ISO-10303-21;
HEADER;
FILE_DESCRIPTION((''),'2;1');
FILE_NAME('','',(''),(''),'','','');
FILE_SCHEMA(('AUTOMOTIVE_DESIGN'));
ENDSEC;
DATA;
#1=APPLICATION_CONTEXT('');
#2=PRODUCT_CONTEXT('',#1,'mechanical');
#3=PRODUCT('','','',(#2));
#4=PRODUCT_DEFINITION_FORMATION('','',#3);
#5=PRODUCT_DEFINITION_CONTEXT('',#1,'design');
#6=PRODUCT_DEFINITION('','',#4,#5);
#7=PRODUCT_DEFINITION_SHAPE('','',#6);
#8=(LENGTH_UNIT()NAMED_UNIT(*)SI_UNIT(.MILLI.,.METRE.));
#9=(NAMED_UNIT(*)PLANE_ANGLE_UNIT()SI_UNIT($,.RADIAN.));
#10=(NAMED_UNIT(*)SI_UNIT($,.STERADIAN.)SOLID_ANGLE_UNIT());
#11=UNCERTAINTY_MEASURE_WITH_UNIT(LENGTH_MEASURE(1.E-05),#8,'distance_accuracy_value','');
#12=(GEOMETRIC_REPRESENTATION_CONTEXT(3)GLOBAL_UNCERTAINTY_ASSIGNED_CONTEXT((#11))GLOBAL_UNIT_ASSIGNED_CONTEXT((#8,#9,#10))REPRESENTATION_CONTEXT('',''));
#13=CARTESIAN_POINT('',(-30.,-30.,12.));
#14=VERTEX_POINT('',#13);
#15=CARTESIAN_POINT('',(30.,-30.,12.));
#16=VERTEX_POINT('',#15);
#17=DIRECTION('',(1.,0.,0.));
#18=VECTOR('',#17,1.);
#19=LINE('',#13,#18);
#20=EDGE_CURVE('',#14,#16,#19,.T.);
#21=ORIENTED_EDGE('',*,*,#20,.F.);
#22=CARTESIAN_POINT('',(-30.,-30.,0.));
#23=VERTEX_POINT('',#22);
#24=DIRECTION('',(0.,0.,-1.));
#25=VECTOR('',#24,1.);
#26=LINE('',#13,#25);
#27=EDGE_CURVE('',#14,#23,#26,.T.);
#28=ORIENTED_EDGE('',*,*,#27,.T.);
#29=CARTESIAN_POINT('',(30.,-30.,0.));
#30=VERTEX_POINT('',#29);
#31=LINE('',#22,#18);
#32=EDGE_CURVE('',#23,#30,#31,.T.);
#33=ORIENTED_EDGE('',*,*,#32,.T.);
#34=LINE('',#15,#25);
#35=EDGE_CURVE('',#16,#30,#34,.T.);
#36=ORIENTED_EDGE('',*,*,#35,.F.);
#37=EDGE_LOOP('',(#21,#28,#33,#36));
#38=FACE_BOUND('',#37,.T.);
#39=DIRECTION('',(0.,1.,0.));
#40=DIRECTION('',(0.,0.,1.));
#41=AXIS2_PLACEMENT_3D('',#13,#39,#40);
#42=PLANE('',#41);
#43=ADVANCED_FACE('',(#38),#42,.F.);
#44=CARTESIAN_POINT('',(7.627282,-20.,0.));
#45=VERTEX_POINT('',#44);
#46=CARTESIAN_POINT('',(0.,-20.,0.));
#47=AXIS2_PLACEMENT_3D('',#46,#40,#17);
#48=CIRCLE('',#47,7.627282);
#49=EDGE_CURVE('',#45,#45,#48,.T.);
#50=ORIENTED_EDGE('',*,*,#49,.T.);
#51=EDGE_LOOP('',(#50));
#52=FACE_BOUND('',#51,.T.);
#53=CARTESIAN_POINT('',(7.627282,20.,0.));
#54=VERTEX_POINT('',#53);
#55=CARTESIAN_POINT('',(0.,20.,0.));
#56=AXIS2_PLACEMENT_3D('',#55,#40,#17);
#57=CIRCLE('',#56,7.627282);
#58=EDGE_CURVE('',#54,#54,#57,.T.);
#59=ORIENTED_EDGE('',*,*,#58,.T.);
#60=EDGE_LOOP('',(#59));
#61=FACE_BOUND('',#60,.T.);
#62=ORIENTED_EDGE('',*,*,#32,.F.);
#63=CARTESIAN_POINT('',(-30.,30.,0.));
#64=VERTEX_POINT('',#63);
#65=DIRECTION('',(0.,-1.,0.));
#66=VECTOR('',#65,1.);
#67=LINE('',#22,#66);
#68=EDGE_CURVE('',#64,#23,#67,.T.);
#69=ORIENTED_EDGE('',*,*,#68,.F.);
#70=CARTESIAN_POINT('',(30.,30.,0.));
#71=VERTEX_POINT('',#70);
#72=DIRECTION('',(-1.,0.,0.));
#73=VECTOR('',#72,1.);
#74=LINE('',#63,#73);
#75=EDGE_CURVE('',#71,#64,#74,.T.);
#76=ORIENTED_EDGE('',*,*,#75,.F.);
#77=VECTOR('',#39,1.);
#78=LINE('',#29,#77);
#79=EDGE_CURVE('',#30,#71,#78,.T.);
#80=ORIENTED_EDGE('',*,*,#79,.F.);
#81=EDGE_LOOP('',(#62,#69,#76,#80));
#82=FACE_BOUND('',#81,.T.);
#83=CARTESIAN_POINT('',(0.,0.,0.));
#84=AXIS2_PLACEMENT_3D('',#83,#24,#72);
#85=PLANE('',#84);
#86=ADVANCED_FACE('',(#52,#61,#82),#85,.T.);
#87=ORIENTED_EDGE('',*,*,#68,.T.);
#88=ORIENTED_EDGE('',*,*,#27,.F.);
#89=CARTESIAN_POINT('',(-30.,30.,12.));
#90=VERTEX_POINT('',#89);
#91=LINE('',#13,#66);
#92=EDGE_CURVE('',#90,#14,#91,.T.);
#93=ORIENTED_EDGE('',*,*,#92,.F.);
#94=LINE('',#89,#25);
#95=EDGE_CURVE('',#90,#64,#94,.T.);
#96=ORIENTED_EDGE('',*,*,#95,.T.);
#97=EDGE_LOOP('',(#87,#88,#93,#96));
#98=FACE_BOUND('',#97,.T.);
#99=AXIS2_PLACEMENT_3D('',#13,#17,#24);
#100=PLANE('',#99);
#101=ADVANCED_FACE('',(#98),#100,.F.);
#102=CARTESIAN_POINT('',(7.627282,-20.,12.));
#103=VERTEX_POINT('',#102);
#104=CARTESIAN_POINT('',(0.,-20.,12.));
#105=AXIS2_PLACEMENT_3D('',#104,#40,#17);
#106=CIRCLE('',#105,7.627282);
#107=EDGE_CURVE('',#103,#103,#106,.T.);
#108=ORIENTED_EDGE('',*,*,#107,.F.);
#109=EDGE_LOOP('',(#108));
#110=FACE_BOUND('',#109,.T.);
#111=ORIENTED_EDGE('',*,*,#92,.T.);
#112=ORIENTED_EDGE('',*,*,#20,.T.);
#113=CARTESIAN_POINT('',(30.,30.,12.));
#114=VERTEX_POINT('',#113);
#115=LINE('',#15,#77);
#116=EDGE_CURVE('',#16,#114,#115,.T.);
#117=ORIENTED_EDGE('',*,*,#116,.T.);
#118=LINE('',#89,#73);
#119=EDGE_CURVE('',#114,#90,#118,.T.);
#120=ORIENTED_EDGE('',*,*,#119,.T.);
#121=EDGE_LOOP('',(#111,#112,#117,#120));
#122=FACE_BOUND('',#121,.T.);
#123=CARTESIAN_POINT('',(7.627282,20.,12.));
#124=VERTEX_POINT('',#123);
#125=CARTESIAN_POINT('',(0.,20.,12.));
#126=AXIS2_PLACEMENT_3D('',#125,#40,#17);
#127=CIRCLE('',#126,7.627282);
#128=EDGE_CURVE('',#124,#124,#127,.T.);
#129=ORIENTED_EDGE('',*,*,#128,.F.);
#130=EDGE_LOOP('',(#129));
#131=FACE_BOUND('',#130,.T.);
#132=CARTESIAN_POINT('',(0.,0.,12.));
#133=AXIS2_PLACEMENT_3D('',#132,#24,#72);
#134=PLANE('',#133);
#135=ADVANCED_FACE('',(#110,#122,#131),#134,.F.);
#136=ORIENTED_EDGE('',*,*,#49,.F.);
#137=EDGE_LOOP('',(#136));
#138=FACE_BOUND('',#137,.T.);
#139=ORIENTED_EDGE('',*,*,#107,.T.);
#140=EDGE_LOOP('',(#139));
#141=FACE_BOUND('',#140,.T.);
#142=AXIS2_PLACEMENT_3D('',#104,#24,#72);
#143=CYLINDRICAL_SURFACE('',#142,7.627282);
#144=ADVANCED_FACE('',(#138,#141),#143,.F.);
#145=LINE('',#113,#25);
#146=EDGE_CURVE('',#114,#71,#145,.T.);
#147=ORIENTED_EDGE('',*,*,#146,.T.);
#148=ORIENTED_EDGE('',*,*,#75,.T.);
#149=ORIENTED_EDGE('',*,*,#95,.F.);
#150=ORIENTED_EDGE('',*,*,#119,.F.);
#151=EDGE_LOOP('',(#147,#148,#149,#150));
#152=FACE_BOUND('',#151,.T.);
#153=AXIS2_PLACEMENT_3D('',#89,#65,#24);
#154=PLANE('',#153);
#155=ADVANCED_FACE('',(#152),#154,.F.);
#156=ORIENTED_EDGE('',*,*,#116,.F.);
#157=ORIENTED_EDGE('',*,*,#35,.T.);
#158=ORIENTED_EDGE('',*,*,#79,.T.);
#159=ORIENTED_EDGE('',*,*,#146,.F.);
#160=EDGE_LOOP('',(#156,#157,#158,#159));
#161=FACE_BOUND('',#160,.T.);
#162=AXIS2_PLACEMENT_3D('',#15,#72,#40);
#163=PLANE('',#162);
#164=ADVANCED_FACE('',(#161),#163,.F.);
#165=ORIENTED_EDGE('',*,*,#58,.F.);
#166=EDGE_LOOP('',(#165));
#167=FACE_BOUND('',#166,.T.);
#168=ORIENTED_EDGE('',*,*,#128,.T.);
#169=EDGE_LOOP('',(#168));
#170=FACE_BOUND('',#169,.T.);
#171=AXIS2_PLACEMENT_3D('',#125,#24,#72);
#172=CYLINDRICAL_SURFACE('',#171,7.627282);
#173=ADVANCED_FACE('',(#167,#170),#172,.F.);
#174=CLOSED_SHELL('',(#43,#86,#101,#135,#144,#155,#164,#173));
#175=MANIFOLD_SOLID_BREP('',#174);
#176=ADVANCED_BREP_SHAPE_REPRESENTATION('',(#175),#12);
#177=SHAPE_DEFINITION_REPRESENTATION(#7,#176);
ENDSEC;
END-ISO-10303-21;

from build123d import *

# Parameters (mm, degrees)
ESQUISSE2_W        = 60
ESQUISSE2_H        = 60
ESQUISSE2_R        = 7.627282303
BOSS_EXTRU_3_DEPTH = 12


with BuildPart() as part:
    # Esquisse2 → Boss.-Extru.3 (new body)
    with BuildSketch(Plane.XY):
        Rectangle(ESQUISSE2_W, ESQUISSE2_H)
        with Locations((0, 20)):
            Circle(ESQUISSE2_R, mode=Mode.SUBTRACT)
        with Locations((0, -20)):
            Circle(ESQUISSE2_R, mode=Mode.SUBTRACT)
    extrude(amount=BOSS_EXTRU_3_DEPTH)


solid = part.part
